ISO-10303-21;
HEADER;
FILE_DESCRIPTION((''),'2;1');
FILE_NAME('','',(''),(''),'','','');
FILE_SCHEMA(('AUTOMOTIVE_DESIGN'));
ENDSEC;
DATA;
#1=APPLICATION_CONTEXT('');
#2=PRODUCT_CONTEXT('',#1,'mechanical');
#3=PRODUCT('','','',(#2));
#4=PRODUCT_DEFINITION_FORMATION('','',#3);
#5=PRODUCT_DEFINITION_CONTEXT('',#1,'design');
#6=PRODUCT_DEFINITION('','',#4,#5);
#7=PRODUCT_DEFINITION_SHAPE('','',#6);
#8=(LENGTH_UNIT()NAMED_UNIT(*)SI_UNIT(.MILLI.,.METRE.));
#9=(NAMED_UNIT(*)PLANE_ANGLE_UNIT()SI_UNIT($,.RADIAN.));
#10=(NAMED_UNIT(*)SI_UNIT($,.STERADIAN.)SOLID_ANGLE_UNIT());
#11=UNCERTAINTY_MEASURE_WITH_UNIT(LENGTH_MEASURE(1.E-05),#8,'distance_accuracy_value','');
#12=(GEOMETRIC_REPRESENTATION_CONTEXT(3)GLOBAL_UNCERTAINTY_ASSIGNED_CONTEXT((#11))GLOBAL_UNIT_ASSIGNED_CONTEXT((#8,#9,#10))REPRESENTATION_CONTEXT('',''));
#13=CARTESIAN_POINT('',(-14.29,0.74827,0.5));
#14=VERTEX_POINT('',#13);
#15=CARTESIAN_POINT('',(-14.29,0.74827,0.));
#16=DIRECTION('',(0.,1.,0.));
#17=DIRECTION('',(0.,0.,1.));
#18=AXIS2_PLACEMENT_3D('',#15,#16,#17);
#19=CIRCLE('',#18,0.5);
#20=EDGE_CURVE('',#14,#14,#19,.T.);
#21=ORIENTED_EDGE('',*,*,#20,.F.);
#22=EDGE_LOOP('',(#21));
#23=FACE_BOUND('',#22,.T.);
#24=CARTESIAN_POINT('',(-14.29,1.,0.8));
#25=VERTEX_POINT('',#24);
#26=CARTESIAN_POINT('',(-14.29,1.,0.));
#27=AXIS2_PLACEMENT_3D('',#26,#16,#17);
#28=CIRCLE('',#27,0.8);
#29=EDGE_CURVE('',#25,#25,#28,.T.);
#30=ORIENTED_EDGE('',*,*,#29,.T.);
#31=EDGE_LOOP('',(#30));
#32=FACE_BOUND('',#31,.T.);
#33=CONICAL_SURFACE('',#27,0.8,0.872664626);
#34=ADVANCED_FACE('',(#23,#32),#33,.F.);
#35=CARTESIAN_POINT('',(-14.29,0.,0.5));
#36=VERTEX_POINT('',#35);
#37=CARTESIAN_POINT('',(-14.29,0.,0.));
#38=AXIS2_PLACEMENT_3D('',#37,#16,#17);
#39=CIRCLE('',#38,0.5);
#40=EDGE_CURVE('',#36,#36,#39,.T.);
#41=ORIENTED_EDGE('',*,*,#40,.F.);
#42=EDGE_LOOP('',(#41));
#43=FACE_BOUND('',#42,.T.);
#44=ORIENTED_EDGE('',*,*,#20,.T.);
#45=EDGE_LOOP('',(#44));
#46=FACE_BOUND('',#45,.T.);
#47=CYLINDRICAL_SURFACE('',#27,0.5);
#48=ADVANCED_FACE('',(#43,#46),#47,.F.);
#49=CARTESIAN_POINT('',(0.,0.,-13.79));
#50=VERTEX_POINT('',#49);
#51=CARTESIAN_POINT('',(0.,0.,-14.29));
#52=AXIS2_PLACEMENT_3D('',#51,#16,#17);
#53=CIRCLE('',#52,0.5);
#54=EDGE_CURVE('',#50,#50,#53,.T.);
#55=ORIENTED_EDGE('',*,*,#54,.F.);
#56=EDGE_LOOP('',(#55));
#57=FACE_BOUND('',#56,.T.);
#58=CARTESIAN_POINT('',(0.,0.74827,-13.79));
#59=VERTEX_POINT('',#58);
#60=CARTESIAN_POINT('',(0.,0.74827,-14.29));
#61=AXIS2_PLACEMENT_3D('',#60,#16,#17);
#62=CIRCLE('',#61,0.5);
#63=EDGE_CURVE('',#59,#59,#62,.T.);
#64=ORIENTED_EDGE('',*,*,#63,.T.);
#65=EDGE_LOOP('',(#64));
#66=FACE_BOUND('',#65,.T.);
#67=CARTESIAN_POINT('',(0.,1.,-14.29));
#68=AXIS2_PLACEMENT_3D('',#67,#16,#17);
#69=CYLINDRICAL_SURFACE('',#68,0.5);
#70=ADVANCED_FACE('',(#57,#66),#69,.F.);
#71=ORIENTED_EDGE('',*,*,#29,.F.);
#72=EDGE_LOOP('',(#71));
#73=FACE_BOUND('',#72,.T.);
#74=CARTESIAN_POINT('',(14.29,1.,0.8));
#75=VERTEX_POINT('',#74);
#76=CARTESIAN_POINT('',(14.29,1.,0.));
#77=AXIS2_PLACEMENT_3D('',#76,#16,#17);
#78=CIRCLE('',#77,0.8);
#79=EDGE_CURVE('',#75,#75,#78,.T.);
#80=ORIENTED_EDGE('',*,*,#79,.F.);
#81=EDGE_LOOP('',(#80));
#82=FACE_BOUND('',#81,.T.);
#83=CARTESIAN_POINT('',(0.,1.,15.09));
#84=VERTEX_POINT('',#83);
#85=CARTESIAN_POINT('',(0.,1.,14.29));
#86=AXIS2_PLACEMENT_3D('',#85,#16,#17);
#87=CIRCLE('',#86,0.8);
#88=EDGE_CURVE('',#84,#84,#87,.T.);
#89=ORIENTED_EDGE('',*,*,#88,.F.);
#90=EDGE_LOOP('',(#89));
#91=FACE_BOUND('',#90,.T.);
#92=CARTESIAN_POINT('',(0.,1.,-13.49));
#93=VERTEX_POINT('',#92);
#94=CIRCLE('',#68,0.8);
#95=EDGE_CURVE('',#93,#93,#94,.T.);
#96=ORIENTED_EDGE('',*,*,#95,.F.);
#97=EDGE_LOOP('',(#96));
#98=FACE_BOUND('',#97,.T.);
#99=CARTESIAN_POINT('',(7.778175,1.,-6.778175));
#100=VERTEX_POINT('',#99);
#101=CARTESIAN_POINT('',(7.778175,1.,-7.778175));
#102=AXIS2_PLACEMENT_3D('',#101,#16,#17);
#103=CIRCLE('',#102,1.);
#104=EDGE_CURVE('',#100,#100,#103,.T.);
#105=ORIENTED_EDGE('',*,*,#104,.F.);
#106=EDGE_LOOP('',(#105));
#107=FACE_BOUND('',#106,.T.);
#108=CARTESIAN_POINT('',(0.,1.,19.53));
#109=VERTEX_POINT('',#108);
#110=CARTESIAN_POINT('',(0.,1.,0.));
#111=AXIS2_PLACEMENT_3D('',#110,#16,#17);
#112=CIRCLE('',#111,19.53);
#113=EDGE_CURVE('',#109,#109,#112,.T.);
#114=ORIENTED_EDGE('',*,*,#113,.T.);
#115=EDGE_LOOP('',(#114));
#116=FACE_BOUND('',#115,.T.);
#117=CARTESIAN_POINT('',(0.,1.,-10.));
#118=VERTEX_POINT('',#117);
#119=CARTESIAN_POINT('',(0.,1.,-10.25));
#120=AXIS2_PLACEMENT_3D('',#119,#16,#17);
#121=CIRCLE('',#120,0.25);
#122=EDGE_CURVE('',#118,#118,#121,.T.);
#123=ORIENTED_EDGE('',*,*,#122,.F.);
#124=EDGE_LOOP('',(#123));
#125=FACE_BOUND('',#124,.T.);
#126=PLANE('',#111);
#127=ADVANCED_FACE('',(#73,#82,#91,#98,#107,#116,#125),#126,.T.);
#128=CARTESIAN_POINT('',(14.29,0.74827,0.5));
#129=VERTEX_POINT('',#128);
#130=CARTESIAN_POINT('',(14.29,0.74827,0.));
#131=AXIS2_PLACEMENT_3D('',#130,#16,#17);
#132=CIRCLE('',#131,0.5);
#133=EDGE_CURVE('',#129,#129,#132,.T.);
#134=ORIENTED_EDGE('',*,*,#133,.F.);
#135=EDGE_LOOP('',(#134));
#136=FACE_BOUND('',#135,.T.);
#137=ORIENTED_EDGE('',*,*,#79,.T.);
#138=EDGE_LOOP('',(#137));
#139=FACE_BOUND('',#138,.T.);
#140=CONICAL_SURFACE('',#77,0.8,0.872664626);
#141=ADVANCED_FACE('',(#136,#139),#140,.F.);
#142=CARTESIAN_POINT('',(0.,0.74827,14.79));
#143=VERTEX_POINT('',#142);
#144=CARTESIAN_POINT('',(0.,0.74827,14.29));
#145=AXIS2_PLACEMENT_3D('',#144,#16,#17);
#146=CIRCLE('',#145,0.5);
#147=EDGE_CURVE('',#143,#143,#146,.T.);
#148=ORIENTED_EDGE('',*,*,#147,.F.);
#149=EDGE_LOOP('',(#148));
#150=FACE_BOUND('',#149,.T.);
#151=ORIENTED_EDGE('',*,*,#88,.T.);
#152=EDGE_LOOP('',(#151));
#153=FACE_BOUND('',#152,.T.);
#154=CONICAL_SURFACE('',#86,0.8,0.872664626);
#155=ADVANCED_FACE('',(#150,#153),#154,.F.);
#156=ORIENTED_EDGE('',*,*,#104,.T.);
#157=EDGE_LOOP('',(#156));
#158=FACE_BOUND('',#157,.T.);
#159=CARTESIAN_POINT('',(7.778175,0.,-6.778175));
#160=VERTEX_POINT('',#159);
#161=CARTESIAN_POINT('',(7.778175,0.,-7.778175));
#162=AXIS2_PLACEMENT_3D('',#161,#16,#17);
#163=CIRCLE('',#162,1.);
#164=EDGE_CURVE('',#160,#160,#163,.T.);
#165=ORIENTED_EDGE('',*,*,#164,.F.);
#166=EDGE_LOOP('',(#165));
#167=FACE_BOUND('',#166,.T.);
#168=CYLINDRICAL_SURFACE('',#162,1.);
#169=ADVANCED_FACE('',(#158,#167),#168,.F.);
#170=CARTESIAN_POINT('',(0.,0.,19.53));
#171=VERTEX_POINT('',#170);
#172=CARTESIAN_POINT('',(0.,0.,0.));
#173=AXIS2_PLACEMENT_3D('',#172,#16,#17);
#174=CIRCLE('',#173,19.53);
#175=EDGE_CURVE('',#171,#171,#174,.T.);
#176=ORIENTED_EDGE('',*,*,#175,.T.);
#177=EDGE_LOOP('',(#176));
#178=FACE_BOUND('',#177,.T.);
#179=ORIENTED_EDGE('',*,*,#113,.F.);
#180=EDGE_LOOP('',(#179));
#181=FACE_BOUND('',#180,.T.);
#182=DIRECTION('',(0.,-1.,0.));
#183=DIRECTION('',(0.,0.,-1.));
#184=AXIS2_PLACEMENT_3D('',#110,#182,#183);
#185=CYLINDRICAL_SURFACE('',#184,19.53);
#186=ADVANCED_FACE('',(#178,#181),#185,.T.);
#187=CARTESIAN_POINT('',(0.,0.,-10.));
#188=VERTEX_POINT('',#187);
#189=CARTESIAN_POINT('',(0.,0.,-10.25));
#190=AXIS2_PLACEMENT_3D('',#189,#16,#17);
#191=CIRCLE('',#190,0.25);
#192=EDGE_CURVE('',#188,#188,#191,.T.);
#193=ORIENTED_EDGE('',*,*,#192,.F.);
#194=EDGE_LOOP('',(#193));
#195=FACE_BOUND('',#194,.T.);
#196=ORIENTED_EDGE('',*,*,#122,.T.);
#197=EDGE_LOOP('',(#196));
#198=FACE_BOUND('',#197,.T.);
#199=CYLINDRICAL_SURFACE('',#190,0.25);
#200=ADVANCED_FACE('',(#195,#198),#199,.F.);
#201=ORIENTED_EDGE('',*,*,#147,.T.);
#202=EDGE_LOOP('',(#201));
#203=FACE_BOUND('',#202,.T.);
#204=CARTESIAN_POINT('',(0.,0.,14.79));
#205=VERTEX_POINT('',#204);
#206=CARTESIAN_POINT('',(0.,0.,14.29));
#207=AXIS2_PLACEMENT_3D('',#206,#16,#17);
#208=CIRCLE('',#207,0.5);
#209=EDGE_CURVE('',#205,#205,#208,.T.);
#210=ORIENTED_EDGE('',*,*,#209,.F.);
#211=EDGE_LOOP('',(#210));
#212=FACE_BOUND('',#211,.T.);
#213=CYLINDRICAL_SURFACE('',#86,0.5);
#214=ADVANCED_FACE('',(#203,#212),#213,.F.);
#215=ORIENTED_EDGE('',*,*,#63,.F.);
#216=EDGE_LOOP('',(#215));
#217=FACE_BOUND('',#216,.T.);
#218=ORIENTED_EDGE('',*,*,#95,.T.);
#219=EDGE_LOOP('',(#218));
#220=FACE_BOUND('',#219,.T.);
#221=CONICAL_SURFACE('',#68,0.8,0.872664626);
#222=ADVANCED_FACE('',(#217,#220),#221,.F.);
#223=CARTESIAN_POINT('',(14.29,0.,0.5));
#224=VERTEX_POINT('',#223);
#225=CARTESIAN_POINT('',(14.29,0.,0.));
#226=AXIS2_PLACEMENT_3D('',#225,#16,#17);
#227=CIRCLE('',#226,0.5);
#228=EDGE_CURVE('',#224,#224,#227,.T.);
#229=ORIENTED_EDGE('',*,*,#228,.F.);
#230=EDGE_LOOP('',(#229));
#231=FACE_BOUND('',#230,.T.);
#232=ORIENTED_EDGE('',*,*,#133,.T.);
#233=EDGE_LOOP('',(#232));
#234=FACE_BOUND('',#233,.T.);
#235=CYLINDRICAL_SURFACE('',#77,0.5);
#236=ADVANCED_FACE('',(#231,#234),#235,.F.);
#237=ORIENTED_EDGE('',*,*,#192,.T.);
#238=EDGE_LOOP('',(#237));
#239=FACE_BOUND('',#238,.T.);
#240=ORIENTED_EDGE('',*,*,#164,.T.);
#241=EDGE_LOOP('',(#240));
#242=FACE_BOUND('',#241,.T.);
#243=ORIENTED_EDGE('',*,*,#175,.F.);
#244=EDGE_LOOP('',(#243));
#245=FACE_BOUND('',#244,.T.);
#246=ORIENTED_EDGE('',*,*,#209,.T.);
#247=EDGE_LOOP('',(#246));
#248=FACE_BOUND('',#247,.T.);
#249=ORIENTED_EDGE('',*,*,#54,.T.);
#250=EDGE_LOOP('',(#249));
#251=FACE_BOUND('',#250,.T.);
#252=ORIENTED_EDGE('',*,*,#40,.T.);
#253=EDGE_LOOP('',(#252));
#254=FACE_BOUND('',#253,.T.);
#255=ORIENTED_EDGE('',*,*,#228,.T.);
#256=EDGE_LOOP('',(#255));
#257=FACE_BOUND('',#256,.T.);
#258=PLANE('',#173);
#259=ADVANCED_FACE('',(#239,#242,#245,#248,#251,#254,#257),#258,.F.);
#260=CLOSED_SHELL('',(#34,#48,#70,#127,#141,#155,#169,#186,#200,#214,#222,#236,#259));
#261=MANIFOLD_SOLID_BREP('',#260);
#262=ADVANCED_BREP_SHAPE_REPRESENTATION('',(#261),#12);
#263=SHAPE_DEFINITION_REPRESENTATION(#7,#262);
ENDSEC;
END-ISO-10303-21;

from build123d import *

# Parameters (mm, degrees)
SKETCH1_R                                       = 19.53
BOSS_EXTRUDE1_DEPTH                             = 1
CUT_EXTRUDE1_DEPTH                              = 28.637688036
CUT_EXTRUDE1_DEPTH_BACK                         = 28.637688036
SKETCH6_R                                       = 0.25
SKETCH6_R_2                                     = 1
CSK_FOR_M2_FLAT_HEAD_MACHINE_SCREW1_D           = 1
CSK_FOR_M2_FLAT_HEAD_MACHINE_SCREW1_CSINK_D     = 1.6
CSK_FOR_M2_FLAT_HEAD_MACHINE_SCREW1_CSINK_ANGLE = 100


with BuildPart() as part:
    # Sketch1 → Boss-Extrude1 (new body)
    with BuildSketch(Plane(origin=(0, 0, 0), x_dir=(1, 0, 0), z_dir=(0, 1, 0))):
        with Locations(Location((0, 0, 0), (0, 0, 270))):
            Circle(SKETCH1_R)
    extrude(amount=BOSS_EXTRUDE1_DEPTH)

    # Sketch6 → Cut-Extrude1 (cut, two sides: drawn at the far end of the back side and taken through both)
    with BuildSketch(Plane(origin=(0, 1, 0), x_dir=(1, 0, 0), z_dir=(0, 1, 0)).offset(-CUT_EXTRUDE1_DEPTH_BACK)):
        with Locations(Location((0, 10.25, 0), (0, 0, 270))):
            Circle(SKETCH6_R)
        with Locations(Location((7.778174593, 7.778174593, 0), (0, 0, 270))):
            Circle(SKETCH6_R_2)
    extrude(amount=CUT_EXTRUDE1_DEPTH + CUT_EXTRUDE1_DEPTH_BACK, mode=Mode.SUBTRACT)

    # CSK for M2 Flat Head Machine Screw1 (through all)
    with Locations(Plane(origin=(0, 1, 0), x_dir=(1, 0, 0), z_dir=(0, 1, 0))):
        with Locations((0, 14.29), (-14.29, 0), (0, -14.29), (14.29, 0)):
            CounterSinkHole(CSK_FOR_M2_FLAT_HEAD_MACHINE_SCREW1_D / 2, CSK_FOR_M2_FLAT_HEAD_MACHINE_SCREW1_CSINK_D / 2, counter_sink_angle=CSK_FOR_M2_FLAT_HEAD_MACHINE_SCREW1_CSINK_ANGLE)


solid = part.part
